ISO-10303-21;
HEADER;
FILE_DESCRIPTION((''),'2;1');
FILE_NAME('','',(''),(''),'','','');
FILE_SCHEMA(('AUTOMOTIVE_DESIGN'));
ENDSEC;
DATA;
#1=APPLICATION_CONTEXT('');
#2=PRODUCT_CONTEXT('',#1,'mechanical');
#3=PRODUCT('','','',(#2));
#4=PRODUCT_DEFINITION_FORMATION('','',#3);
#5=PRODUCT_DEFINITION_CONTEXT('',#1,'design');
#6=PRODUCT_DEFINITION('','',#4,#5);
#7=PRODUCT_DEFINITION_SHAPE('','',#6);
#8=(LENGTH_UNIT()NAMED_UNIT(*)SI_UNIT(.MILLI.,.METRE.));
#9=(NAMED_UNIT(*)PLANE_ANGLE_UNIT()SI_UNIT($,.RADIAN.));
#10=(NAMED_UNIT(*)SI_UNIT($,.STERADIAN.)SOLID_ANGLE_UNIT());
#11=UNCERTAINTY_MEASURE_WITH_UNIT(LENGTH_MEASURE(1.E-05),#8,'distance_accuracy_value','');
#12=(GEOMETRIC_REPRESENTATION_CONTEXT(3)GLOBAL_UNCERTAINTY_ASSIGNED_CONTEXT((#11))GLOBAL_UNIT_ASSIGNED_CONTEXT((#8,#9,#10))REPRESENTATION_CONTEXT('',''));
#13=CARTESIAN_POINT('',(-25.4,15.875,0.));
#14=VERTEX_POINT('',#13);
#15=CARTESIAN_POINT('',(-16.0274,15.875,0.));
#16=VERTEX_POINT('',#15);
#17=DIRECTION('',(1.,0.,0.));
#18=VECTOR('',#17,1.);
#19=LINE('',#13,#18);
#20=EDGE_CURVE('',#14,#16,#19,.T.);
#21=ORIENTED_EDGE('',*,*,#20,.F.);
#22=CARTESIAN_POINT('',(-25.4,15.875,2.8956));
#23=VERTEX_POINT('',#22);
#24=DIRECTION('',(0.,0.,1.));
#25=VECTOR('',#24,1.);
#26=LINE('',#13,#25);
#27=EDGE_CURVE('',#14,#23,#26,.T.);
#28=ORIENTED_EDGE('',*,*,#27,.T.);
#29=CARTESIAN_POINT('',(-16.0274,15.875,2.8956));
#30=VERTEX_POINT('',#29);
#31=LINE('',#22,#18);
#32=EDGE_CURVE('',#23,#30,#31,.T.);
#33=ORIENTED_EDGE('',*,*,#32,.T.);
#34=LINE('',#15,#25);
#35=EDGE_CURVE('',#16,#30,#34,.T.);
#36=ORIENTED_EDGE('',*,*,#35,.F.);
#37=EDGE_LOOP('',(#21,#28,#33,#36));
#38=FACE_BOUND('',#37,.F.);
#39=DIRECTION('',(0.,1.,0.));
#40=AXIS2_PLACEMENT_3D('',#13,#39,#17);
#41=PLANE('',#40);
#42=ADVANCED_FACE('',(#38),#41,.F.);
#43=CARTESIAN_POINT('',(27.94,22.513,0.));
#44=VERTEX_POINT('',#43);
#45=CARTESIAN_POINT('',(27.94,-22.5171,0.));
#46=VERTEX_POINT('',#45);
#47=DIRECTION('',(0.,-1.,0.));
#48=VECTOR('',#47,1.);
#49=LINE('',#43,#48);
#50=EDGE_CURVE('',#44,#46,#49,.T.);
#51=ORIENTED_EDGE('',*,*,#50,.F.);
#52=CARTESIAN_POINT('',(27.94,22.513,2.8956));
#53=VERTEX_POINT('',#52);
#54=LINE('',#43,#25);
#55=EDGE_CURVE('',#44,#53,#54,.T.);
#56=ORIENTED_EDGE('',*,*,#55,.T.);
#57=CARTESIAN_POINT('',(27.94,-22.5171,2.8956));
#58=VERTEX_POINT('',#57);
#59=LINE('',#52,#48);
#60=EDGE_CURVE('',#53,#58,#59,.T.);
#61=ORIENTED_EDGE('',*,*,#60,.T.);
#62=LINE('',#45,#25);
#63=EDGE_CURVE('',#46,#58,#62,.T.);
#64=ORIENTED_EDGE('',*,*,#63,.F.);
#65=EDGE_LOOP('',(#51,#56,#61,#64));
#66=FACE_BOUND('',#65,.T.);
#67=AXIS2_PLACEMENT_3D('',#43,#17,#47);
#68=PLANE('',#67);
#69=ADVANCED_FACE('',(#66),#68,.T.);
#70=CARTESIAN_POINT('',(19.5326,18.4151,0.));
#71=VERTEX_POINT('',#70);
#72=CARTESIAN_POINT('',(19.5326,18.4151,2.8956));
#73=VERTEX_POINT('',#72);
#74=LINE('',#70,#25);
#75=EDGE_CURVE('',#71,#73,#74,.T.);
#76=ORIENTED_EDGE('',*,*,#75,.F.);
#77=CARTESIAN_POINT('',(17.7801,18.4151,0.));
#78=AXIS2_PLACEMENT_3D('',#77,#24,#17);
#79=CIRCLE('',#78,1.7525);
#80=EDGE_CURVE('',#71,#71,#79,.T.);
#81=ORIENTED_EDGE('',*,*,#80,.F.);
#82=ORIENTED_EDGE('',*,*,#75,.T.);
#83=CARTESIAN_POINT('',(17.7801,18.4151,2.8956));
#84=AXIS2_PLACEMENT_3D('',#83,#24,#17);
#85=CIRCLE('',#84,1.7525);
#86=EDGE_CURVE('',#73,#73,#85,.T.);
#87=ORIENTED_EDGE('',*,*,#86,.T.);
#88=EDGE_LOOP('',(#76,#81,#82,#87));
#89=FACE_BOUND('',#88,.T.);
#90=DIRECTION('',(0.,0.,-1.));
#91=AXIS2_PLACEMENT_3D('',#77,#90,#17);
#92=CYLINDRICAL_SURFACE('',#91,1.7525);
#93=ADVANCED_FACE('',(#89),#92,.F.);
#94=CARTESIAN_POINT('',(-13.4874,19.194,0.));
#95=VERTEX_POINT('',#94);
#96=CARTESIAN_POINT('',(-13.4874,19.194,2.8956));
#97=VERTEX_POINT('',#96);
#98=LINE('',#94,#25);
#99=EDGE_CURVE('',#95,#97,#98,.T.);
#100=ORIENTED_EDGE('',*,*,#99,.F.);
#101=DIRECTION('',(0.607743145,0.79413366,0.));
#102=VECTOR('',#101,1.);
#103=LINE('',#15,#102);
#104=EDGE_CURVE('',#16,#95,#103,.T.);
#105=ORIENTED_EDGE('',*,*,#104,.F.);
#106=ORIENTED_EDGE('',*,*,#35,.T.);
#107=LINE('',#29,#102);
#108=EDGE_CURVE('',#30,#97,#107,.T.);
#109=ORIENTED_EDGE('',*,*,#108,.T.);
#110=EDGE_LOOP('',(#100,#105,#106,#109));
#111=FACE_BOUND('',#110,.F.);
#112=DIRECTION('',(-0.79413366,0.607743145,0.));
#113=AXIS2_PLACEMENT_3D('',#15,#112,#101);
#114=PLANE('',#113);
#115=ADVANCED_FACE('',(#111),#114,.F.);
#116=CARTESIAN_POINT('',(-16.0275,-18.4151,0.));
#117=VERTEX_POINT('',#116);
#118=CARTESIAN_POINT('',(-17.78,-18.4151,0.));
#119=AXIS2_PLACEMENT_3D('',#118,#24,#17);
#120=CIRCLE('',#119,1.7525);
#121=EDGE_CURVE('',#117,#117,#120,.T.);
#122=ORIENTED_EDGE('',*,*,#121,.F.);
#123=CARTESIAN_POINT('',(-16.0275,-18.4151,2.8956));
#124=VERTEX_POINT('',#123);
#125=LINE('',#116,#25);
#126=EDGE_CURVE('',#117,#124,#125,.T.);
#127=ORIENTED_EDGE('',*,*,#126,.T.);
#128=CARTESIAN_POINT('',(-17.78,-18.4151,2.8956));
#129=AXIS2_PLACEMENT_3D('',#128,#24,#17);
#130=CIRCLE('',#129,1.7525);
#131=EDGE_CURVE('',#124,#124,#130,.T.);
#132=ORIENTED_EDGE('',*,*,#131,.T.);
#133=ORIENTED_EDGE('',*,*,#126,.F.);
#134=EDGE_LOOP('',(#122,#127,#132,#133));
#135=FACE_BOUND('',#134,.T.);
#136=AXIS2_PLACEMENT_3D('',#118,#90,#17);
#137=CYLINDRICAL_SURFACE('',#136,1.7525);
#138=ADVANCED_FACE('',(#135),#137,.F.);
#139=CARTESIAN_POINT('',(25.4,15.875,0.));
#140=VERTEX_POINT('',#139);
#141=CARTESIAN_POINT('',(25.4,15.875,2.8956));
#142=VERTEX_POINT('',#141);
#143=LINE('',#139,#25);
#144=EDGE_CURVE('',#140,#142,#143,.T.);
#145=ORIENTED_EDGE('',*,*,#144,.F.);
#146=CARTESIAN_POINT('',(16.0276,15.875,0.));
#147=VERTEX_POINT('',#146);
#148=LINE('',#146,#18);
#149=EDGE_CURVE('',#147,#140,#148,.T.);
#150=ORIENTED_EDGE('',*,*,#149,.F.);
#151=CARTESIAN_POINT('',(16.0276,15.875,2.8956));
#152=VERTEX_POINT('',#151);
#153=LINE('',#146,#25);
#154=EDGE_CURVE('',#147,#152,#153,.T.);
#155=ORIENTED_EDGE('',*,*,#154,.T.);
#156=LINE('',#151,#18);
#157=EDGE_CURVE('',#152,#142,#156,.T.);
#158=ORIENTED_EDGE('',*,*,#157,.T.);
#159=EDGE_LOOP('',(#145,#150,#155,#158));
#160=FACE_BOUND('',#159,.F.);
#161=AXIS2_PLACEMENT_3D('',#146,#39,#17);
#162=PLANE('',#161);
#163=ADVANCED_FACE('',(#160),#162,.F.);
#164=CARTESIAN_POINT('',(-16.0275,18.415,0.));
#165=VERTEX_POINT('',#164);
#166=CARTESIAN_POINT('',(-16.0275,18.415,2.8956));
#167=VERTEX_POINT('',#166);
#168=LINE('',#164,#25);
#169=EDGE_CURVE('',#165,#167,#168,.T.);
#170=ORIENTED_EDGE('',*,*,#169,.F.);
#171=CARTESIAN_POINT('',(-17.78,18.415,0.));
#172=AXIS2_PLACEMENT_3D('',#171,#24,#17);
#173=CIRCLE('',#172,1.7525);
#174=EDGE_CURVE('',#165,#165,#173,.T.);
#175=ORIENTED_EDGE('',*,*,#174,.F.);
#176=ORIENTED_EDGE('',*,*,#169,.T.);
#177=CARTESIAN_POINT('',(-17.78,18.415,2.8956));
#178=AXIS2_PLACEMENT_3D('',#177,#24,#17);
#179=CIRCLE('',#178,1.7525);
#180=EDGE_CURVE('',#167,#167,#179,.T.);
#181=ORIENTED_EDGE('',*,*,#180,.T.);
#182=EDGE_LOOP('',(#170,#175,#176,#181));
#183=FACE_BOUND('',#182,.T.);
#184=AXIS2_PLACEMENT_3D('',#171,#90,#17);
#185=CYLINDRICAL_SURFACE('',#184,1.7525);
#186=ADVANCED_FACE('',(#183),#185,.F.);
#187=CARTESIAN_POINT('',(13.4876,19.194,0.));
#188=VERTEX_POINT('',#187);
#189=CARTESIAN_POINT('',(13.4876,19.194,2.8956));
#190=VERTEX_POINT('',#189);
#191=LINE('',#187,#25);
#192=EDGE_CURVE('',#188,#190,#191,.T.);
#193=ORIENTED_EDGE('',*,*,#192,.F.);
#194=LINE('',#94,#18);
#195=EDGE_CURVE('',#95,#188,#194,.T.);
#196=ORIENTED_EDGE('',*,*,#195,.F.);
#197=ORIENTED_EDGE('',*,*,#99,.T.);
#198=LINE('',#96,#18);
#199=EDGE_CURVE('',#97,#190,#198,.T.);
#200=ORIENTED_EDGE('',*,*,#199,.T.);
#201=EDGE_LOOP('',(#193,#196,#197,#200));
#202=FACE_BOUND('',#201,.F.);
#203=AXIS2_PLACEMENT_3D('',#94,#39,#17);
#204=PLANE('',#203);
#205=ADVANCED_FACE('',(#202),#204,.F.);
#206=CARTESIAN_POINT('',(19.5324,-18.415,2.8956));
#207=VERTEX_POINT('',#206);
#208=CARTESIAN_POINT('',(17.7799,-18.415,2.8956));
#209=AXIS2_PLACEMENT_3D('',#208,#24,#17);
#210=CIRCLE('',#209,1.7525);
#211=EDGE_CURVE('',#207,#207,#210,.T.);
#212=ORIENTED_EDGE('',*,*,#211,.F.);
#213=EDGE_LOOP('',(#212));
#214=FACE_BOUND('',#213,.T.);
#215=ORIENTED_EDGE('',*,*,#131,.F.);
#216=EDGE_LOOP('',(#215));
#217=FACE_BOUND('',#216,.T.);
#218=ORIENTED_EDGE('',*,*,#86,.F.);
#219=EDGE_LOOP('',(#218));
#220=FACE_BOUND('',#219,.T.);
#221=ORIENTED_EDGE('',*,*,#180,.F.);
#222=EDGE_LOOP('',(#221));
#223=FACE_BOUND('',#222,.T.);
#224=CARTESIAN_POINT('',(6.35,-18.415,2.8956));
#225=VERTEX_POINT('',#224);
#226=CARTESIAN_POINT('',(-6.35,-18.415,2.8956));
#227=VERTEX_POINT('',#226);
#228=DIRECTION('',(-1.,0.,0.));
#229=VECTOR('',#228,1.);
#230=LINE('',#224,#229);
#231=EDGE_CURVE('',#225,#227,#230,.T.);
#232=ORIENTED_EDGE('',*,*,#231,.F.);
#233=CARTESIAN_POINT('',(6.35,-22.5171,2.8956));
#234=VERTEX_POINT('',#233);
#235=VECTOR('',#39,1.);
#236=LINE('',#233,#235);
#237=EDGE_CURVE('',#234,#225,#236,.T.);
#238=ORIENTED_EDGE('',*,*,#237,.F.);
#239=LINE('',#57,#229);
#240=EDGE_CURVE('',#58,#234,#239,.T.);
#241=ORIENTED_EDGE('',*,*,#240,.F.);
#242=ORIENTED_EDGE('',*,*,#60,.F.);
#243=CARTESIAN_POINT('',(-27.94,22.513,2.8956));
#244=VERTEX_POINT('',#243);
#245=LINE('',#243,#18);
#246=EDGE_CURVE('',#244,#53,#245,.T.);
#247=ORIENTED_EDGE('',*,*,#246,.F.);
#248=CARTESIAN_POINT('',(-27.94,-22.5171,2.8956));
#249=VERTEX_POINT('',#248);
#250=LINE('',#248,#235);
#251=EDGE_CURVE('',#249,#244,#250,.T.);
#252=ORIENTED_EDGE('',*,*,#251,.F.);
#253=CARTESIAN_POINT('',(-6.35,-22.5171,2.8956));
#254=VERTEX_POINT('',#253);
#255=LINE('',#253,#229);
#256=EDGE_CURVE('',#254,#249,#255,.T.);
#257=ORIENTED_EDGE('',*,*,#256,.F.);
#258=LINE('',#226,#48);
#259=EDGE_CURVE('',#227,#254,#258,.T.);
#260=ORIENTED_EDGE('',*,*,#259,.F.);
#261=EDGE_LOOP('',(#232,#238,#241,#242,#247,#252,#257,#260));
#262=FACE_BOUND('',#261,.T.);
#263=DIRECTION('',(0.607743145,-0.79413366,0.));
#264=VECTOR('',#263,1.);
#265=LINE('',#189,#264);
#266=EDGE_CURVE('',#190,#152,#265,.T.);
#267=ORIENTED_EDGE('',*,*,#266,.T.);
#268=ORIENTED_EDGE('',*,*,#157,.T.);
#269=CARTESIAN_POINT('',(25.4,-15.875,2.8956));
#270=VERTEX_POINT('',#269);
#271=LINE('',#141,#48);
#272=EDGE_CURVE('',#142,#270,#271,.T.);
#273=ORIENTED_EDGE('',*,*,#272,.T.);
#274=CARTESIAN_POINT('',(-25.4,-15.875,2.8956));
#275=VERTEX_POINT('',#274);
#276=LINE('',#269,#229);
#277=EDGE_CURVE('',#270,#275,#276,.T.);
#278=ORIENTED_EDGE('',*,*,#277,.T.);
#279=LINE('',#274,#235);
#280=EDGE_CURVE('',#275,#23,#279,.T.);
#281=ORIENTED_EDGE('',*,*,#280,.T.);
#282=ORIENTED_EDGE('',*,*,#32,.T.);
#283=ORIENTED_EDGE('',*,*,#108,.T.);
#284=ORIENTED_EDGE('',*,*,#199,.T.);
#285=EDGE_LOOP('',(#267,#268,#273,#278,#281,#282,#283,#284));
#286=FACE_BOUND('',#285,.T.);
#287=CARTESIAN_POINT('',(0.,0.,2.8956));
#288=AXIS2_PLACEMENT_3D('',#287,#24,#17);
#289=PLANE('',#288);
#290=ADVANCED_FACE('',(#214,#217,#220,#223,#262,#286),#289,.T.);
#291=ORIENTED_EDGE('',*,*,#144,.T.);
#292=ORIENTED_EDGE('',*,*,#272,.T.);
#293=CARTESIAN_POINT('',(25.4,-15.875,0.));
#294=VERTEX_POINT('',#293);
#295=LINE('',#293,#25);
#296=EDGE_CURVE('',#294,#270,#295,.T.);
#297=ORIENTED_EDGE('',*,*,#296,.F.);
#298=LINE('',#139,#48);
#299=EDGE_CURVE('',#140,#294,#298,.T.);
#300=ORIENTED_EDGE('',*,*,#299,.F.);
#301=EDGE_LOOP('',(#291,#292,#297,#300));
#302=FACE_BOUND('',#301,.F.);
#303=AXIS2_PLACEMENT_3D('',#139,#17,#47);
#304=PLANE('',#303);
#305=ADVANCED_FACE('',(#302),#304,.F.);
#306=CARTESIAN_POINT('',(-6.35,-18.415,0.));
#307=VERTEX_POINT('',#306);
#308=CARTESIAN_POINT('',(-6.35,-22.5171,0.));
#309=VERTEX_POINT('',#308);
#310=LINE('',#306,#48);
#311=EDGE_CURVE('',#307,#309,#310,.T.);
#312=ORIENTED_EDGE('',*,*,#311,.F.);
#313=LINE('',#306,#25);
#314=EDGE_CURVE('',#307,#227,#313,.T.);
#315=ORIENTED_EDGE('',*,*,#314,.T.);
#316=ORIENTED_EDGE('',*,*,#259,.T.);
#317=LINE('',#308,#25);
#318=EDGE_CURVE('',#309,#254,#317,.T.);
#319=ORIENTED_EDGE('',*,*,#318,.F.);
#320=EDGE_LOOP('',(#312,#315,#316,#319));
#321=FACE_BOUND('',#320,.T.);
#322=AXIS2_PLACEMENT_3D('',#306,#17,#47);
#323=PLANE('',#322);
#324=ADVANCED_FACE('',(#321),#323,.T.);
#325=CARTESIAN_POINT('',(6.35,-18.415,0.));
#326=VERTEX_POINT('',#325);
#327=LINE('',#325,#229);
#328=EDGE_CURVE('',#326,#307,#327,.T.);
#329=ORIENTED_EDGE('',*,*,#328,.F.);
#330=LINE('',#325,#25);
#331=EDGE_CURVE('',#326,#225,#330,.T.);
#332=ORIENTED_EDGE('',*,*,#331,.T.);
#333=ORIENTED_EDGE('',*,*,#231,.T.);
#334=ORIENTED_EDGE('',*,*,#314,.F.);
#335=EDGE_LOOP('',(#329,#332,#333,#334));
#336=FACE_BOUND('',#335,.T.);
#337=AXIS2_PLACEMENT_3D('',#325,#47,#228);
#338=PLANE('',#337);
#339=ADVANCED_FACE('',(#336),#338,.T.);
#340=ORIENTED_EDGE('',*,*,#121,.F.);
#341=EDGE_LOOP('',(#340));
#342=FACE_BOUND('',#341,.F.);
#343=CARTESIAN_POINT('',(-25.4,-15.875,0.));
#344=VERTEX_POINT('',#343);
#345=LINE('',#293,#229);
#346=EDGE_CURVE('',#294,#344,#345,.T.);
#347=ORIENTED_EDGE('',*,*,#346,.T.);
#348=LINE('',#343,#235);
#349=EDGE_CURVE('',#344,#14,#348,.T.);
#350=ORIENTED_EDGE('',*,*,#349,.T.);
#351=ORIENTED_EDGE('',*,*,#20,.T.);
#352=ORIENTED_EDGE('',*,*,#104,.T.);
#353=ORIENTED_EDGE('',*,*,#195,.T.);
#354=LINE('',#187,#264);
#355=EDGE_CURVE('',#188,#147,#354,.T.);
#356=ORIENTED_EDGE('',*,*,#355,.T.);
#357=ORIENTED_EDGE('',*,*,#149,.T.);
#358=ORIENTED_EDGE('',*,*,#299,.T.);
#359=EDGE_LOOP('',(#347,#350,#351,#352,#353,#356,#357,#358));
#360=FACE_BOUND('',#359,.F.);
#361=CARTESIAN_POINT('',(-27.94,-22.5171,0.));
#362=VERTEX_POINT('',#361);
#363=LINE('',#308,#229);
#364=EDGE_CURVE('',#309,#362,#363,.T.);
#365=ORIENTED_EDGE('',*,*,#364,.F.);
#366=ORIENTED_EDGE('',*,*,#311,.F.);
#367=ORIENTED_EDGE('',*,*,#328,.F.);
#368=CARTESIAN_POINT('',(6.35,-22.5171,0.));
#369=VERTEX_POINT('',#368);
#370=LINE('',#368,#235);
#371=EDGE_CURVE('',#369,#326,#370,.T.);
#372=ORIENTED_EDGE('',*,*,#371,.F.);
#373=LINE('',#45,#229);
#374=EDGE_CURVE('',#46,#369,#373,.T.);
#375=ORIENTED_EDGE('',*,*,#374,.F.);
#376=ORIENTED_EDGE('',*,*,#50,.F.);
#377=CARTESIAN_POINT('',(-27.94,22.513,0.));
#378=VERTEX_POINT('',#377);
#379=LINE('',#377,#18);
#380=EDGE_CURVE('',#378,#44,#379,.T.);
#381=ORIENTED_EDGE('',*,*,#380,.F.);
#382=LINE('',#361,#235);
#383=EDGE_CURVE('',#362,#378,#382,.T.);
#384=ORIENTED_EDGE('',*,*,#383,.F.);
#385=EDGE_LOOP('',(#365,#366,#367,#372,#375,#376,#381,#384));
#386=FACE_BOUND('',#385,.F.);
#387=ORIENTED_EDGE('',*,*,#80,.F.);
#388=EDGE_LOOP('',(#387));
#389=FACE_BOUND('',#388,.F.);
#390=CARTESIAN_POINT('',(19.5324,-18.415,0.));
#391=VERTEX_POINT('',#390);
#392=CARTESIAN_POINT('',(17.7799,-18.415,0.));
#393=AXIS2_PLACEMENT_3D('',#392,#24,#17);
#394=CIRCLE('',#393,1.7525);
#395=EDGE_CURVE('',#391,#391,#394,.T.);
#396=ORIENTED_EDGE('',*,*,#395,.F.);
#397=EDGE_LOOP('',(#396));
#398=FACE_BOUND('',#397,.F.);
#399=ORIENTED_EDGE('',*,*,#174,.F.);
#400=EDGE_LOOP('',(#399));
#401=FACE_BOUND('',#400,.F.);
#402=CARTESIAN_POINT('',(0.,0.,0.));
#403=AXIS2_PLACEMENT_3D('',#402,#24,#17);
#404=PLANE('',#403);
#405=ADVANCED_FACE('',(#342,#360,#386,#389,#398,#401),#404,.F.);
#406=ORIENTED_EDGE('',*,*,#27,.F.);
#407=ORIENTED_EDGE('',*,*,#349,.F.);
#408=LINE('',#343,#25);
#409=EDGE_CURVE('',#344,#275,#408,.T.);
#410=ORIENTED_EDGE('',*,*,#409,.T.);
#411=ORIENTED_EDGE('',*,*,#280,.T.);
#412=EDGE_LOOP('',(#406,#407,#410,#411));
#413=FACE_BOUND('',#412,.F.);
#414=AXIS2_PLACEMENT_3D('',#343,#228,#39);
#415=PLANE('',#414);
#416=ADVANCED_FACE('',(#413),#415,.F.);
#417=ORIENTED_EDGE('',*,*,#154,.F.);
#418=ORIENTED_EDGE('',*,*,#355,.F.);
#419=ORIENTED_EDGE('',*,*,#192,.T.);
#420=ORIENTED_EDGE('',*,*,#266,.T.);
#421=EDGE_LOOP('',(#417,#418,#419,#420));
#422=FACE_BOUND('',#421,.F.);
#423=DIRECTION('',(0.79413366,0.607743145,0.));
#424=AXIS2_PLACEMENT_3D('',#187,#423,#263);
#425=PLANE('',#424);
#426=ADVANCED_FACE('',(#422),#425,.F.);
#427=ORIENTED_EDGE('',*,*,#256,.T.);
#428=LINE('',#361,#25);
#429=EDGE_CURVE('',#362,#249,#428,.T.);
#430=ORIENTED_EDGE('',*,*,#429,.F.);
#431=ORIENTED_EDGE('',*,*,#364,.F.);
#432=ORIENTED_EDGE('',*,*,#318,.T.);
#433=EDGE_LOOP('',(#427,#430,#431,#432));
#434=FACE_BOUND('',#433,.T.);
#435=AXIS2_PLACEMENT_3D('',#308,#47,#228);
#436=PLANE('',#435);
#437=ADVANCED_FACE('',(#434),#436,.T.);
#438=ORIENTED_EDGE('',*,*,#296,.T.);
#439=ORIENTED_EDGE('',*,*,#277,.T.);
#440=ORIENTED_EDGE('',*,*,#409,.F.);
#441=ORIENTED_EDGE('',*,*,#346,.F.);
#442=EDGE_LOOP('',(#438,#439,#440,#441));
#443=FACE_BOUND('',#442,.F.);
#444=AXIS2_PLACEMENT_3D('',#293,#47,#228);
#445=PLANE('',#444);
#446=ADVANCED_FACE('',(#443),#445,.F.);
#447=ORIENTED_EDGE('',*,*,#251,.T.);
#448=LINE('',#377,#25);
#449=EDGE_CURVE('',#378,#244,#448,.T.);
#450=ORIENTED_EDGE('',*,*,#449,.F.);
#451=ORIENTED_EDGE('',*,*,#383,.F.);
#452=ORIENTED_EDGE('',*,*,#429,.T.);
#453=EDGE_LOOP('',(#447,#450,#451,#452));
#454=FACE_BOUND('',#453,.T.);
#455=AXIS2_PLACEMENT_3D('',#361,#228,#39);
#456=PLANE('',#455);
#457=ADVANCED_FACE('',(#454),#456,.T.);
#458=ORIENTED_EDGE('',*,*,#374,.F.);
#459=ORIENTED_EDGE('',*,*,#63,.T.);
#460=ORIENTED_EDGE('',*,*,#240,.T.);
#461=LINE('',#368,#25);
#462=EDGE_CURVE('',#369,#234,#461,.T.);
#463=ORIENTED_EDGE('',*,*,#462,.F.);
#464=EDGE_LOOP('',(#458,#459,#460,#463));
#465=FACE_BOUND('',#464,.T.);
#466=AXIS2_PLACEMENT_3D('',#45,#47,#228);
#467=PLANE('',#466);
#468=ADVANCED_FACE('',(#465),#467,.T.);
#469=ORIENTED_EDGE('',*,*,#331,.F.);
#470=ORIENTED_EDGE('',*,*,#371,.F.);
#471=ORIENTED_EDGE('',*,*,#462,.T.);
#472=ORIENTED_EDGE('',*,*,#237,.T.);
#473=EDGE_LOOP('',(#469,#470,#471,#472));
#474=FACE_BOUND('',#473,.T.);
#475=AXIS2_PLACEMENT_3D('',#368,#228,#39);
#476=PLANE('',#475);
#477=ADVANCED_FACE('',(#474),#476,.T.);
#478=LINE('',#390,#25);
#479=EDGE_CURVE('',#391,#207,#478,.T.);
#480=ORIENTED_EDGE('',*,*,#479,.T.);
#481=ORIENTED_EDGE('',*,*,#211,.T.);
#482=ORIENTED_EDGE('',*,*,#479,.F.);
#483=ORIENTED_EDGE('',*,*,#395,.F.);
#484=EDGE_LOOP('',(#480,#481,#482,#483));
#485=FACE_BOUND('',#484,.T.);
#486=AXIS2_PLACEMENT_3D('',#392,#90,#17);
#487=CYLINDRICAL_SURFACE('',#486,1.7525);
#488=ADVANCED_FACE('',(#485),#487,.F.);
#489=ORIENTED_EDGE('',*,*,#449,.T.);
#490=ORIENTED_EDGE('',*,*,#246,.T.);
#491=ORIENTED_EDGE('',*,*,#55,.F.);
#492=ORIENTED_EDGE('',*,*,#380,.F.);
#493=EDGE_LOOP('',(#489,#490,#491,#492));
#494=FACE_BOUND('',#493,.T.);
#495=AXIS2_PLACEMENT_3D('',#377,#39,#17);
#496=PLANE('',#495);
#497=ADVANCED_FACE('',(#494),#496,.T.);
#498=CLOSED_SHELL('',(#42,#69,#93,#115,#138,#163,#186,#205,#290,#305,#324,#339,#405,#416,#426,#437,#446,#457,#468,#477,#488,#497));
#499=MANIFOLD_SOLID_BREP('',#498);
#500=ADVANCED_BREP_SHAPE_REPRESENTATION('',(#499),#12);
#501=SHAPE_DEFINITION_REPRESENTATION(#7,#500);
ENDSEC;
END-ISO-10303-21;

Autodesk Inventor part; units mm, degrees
ref_plane "YZ Plane" through (0, 0, 0) normal (1, 0, 0) x (0, 1, 0)
ref_plane "XZ Plane" through (0, 0, 0) normal (0, 1, 0) x (-1, 0, 0)
ref_plane "XY Plane" through (0, 0, 0) normal (0, 0, 1) x (1, 0, 0)
sketch "Sketch1" plane through (0, 0, 0) normal (0, 0, 1) x (1, 0, 0)
  circle A0 centre (-17.78, 18.415) radius 1.7525
  circle A1 centre (17.7801, 18.4151) radius 1.7525
  circle A2 centre (-17.78, -18.4151) radius 1.7525
  circle A3 centre (17.7799, -18.415) radius 1.7525
  line L0 (6.35, -18.415) -> (-6.35, -18.415)
  line L1 (-6.35, -18.415) -> (-6.35, -22.5171)
  line L2 (-6.35, -22.5171) -> (-27.94, -22.5171)
  line L3 (-27.94, -22.5171) -> (-27.94, 22.513)
  line L4 (-27.94, 22.513) -> (27.94, 22.513)
  line L5 (27.94, 22.513) -> (27.94, -22.5171)
  line L6 (27.94, -22.5171) -> (6.35, -22.5171)
  line L7 (6.35, -22.5171) -> (6.35, -18.415)
  line L8 (16.0276, 15.875) -> (25.4, 15.875)
  line L9 (25.4, 15.875) -> (25.4, -15.875)
  line L10 (25.4, -15.875) -> (-25.4, -15.875)
  line L11 (-25.4, -15.875) -> (-25.4, 15.875)
  line L12 (-25.4, 15.875) -> (-16.0274, 15.875)
  line L13 (-16.0274, 15.875) -> (-13.4874, 19.194)
  line L14 (-13.4874, 19.194) -> (13.4876, 19.194)
  line L15 (13.4876, 19.194) -> (16.0276, 15.875)
  point P0 (0, 0)
extrude "Extrusion1" add sketch "Sketch1" along normal blind 2.8956
properties part number "battery_mount"
